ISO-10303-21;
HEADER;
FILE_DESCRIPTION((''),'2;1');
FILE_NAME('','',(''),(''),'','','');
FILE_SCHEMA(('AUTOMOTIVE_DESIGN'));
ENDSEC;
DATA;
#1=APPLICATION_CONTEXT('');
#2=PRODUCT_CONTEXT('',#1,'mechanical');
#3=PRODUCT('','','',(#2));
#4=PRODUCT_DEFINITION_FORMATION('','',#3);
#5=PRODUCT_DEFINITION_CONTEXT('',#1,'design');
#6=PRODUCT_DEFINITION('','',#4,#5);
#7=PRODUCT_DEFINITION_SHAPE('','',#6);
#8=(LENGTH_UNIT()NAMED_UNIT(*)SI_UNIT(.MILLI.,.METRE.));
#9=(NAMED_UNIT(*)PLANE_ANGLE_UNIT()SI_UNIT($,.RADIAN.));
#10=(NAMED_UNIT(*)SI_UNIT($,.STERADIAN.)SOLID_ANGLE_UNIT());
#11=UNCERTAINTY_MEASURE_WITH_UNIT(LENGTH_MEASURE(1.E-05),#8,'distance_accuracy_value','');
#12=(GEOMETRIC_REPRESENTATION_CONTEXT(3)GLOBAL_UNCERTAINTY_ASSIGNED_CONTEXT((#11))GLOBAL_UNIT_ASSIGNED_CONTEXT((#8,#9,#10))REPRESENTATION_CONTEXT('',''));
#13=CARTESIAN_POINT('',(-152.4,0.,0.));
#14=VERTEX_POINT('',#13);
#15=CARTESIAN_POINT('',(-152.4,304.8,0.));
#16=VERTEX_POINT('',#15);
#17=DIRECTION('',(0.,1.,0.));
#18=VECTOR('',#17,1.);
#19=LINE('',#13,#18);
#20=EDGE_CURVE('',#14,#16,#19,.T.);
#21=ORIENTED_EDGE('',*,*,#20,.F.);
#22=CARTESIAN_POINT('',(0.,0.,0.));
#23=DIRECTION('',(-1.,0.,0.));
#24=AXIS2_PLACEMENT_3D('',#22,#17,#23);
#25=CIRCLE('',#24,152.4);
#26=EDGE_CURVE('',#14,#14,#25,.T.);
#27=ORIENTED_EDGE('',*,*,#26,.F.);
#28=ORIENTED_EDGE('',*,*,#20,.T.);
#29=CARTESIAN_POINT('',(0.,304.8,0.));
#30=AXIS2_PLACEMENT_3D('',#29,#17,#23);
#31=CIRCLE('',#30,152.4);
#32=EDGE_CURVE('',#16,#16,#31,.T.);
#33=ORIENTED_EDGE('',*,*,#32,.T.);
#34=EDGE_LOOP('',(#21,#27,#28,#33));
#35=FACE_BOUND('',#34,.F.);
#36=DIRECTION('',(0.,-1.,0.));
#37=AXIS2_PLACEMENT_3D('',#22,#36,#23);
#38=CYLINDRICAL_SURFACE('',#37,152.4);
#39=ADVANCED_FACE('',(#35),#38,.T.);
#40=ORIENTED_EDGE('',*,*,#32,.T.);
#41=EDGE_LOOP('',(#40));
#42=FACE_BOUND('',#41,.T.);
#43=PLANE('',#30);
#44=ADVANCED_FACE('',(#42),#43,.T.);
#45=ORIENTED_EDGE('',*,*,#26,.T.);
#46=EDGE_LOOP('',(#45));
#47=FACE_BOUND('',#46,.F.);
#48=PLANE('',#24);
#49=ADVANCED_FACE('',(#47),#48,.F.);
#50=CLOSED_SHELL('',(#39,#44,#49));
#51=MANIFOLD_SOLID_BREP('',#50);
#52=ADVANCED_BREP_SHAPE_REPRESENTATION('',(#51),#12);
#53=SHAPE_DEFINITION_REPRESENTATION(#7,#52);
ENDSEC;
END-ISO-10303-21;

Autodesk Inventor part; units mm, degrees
ref_plane "YZ Plane" through (0, 0, 0) normal (1, 0, 0) x (0, 1, 0)
ref_plane "XZ Plane" through (0, 0, 0) normal (0, 1, 0) x (-1, 0, 0)
ref_plane "XY Plane" through (0, 0, 0) normal (0, 0, 1) x (1, 0, 0)
sketch "Sketch1" plane through (0, 0, 0) normal (0, 1, 0) x (-1, 0, 0)
  circle A0 centre (0, 0) radius 152.4
  dimension "d0" = 304.8
extrude "Extrusion1" add sketch "Sketch1" along normal blind 304.8
properties part number "Footing" material "Concrete"
